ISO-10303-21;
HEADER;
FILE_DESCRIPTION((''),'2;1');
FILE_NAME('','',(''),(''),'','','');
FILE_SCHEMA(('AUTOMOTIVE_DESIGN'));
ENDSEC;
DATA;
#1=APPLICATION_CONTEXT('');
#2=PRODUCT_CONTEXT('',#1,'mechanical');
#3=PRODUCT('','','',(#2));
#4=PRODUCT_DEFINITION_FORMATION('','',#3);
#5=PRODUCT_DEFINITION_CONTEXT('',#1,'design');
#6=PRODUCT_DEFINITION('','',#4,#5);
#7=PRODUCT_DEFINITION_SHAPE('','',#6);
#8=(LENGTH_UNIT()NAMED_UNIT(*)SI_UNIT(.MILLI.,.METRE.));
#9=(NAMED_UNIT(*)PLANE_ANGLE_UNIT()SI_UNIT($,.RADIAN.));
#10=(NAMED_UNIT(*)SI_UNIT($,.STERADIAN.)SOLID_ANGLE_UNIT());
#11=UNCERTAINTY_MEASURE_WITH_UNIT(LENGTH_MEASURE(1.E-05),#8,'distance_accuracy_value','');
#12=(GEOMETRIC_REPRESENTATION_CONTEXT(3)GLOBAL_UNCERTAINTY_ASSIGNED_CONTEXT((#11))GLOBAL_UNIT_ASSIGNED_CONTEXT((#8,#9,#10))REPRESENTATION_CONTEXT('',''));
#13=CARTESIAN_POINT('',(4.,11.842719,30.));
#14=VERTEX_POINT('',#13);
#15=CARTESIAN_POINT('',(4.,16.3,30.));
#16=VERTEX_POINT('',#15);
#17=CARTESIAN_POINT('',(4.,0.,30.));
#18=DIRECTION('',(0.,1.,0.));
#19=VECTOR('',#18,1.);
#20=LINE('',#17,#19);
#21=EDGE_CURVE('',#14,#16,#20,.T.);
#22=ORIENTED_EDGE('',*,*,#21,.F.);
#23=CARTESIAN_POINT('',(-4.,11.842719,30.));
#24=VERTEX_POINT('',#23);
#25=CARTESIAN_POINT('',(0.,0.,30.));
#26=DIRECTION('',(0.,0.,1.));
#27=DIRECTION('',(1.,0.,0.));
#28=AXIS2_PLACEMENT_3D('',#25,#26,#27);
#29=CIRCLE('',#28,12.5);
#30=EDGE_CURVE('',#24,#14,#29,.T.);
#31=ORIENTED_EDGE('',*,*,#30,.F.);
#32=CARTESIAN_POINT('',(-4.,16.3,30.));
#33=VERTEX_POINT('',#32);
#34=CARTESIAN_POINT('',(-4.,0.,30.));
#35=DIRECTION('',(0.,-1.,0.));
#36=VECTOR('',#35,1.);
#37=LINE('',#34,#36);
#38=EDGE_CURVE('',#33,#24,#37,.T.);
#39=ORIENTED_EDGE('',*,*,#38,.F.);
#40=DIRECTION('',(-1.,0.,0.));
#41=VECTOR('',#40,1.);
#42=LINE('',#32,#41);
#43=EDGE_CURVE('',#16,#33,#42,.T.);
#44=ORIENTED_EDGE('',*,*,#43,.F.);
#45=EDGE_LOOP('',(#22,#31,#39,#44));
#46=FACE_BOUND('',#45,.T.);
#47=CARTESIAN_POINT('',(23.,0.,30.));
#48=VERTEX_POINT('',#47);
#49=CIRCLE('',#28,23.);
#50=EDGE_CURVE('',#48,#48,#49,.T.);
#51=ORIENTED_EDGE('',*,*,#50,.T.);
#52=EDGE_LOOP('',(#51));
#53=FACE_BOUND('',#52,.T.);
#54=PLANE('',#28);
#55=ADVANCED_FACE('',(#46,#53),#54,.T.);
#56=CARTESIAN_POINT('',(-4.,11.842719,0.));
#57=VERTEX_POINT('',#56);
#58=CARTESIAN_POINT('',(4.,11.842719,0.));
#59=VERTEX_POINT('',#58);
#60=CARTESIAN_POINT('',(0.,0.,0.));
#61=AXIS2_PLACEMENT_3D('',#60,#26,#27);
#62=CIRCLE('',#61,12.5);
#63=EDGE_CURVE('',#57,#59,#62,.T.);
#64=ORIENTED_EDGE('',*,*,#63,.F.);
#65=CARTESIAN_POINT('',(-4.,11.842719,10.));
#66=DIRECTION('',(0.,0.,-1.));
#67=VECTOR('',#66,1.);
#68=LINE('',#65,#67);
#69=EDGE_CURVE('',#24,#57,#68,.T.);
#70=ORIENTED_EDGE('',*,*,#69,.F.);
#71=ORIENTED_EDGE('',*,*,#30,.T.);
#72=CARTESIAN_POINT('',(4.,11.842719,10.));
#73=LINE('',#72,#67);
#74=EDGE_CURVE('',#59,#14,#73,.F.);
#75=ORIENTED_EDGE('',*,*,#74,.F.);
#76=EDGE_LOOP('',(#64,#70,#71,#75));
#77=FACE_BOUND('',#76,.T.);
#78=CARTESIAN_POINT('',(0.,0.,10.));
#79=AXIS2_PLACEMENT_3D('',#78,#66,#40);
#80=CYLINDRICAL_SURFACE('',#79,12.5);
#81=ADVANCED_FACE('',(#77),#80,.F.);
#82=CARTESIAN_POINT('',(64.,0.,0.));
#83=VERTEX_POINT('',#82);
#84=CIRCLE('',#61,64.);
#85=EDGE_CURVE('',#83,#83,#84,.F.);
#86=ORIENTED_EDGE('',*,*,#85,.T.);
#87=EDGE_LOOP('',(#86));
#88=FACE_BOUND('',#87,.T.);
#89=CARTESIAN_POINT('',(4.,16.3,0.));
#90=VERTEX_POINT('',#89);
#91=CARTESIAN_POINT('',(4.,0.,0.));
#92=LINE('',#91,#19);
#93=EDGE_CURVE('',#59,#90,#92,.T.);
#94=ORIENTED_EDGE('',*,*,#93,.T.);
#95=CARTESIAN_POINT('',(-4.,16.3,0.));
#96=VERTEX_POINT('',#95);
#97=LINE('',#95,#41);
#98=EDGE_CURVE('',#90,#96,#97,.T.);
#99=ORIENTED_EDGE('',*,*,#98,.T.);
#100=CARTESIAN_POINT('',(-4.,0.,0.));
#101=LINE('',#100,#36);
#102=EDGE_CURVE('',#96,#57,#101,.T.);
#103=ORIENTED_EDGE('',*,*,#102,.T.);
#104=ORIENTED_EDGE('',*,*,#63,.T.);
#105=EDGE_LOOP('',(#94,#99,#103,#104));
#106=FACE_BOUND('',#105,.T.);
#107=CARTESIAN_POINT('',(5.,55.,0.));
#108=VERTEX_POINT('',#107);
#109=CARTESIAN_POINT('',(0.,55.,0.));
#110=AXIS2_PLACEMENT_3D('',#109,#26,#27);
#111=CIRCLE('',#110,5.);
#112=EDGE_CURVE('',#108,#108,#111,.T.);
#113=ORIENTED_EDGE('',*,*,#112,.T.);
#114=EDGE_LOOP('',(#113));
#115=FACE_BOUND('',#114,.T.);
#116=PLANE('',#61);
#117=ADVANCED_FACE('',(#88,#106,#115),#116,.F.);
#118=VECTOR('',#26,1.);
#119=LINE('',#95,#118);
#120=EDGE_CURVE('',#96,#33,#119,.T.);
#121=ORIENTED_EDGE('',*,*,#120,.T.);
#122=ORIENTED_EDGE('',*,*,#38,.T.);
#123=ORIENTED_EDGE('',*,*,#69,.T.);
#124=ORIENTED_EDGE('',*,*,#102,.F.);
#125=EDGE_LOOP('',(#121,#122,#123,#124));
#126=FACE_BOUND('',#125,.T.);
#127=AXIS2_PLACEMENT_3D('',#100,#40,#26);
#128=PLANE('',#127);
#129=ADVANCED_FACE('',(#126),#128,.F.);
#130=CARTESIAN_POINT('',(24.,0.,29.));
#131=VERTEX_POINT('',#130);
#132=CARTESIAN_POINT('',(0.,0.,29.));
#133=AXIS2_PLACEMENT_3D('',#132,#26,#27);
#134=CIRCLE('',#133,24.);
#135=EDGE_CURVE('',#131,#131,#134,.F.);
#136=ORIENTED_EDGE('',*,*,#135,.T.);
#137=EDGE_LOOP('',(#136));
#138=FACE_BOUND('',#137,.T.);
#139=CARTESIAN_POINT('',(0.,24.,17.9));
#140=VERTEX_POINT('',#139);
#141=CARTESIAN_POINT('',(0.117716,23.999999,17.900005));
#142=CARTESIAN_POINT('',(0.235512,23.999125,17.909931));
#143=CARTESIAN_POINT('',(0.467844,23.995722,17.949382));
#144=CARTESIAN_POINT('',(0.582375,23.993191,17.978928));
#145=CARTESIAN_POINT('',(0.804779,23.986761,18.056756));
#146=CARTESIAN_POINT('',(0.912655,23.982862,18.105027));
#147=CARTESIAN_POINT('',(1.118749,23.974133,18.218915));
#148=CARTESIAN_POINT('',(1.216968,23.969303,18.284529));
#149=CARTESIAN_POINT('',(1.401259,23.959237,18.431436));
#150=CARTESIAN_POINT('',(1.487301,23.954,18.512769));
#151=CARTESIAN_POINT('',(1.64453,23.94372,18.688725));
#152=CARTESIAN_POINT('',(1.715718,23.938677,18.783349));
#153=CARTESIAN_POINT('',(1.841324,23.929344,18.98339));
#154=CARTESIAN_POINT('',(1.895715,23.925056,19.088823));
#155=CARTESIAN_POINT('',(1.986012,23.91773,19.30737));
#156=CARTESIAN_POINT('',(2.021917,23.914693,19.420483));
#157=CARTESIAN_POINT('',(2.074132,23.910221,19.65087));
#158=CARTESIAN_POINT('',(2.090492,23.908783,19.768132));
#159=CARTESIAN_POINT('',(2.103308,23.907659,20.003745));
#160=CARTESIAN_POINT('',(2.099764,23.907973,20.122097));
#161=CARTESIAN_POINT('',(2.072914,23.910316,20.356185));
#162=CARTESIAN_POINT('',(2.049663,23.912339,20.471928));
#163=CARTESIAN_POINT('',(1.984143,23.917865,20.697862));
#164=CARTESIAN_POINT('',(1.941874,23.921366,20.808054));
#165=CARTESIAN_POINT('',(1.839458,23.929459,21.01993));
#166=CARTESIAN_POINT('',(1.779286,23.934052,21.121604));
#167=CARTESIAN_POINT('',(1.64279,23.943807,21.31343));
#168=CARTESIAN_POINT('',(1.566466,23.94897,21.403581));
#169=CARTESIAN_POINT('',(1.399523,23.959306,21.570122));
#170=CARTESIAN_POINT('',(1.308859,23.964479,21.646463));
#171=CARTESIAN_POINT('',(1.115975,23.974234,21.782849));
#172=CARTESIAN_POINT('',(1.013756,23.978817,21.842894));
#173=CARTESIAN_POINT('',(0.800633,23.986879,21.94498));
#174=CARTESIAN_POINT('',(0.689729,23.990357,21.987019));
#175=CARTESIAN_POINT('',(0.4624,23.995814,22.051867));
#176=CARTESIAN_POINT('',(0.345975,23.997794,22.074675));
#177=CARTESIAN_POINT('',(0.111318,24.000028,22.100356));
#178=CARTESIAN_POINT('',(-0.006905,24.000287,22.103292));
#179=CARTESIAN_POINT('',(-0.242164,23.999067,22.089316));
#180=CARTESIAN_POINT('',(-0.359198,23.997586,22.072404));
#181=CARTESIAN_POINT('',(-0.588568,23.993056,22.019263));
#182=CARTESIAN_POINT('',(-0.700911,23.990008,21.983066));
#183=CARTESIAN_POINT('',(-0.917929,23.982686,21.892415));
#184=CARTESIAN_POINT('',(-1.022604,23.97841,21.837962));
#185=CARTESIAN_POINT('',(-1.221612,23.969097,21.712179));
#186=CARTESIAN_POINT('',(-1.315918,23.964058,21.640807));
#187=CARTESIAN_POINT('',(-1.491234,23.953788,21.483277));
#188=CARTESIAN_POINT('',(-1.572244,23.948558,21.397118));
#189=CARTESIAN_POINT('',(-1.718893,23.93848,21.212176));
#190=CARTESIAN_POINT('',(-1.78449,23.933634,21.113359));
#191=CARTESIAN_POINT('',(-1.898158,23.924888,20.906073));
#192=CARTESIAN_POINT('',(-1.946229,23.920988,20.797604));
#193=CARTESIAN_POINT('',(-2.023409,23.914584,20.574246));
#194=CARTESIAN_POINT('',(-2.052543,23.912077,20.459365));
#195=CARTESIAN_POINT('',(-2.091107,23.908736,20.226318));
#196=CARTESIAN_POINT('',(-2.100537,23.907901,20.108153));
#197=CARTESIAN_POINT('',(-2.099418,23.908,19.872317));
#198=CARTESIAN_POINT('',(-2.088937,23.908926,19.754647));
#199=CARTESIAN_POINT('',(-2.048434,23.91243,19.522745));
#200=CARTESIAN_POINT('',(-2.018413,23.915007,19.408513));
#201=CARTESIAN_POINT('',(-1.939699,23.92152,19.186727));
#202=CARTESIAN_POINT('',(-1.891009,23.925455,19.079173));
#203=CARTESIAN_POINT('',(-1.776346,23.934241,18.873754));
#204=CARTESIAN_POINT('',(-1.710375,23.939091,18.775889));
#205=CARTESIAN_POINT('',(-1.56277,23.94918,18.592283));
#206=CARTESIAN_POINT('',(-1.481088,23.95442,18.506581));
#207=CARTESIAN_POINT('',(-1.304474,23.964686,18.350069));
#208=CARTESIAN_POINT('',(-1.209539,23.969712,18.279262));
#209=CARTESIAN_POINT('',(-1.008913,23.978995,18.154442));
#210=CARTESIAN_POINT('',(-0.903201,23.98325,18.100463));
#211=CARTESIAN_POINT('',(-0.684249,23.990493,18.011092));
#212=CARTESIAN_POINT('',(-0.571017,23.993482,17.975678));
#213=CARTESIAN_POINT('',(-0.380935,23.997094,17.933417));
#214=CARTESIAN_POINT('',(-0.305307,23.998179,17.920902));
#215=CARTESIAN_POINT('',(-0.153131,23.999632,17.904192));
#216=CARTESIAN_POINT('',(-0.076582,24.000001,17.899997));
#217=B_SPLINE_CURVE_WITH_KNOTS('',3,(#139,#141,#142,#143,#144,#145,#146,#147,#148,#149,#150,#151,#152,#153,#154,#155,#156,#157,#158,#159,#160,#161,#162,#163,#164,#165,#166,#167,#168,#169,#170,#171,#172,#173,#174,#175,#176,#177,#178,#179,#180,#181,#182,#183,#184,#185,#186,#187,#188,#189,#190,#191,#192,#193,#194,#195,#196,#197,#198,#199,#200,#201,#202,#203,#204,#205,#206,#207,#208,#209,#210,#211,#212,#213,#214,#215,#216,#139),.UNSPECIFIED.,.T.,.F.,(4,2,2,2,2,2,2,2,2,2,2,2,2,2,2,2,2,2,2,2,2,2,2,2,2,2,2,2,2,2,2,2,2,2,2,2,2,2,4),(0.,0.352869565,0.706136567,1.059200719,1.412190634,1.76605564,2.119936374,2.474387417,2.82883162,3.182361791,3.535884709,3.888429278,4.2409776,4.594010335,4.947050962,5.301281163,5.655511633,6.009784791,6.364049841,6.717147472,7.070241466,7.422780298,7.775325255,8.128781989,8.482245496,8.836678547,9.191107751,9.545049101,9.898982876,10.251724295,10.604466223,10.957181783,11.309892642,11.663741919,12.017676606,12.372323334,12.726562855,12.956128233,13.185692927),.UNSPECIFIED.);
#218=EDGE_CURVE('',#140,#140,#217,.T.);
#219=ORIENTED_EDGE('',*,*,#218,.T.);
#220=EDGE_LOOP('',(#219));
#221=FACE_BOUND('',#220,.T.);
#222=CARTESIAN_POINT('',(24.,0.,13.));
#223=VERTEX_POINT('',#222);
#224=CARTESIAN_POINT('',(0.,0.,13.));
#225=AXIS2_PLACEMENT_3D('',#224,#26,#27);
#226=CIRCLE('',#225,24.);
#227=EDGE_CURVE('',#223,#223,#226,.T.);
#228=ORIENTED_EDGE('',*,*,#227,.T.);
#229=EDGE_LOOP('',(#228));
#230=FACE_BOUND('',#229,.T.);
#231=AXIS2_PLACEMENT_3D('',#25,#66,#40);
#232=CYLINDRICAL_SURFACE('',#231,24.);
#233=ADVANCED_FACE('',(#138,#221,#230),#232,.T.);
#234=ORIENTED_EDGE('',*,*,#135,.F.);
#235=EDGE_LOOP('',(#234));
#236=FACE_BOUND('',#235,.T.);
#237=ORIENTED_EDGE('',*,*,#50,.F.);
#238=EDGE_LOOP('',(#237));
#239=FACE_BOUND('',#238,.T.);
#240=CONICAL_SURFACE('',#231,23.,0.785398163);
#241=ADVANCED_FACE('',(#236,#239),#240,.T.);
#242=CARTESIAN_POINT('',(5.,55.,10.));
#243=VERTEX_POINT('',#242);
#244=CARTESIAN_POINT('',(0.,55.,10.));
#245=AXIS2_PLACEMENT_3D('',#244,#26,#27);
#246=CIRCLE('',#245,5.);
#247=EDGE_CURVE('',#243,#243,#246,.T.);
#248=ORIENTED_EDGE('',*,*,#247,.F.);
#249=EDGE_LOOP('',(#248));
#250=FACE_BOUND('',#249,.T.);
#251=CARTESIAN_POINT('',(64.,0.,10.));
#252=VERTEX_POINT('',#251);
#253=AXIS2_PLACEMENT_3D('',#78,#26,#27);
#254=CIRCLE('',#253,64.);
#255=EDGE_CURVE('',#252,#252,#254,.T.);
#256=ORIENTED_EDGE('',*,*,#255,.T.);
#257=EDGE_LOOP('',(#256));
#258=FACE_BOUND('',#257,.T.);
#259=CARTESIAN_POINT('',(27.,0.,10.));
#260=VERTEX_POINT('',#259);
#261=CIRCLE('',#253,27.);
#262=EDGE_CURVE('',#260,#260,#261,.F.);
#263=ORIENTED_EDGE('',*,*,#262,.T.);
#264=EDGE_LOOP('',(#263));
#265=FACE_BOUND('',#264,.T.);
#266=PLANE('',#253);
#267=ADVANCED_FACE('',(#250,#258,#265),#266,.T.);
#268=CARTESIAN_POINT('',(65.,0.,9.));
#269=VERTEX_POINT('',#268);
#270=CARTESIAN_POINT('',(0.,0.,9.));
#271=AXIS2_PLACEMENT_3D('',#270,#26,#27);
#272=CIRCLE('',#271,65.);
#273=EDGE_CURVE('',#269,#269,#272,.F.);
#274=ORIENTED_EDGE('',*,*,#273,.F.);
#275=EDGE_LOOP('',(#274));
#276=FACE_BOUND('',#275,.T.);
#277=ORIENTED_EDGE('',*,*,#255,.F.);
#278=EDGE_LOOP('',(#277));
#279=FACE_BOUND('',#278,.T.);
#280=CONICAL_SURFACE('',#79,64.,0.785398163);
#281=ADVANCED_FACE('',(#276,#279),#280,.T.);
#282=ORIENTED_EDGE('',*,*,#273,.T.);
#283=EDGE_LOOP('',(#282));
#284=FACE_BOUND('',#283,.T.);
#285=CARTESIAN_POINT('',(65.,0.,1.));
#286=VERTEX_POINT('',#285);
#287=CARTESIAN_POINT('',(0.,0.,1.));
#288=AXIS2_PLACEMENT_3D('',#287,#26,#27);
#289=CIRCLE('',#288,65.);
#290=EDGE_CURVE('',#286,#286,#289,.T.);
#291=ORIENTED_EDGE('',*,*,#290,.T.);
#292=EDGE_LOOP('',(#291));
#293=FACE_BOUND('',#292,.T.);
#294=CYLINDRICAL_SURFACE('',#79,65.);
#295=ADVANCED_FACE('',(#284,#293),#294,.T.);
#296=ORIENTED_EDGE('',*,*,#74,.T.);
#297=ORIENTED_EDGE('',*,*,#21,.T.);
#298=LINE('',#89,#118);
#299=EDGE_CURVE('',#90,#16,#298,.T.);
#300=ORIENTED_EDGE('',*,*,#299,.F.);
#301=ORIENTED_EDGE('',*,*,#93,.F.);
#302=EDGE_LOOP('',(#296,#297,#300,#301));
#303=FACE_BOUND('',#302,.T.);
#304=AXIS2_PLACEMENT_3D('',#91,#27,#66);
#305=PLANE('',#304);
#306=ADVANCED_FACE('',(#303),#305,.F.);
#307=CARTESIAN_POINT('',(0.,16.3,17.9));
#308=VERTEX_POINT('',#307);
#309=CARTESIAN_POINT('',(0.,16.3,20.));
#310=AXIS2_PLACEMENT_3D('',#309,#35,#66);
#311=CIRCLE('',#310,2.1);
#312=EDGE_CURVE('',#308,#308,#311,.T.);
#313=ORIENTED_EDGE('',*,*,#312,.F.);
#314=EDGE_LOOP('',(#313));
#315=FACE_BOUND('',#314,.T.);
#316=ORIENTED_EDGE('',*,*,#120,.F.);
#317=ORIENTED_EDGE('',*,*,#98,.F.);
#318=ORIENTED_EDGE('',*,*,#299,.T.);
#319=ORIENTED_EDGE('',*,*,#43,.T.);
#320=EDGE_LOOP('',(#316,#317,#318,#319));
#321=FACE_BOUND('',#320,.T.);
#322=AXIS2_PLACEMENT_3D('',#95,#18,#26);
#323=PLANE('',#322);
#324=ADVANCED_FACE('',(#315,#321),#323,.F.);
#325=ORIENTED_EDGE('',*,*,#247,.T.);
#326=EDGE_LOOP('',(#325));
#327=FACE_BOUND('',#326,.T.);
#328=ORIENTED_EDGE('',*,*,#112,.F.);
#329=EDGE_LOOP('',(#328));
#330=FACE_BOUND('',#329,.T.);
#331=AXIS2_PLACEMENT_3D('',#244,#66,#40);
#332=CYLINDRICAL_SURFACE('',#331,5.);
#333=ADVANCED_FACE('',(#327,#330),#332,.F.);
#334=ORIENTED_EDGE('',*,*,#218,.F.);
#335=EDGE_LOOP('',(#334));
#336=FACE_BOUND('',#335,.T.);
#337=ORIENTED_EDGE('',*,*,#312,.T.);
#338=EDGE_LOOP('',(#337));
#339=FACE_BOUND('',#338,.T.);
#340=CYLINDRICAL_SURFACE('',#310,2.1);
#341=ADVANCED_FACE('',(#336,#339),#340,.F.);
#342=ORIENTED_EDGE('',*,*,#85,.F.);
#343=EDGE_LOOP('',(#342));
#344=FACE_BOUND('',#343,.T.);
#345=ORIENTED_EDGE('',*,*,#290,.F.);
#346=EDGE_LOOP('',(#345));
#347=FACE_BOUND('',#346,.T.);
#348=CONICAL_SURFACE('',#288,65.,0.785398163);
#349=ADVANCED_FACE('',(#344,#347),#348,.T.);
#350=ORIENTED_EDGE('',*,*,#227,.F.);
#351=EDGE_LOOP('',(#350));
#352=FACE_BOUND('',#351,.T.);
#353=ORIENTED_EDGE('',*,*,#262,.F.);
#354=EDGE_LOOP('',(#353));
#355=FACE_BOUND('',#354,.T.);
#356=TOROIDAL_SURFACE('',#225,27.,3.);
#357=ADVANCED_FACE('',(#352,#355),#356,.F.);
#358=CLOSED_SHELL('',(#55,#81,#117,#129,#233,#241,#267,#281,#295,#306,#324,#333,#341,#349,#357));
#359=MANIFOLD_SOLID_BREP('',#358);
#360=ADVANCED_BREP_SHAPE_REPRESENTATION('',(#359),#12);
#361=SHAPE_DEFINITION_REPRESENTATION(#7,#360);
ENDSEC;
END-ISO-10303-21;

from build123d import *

# Parameters (mm, degrees)
SKETCH1_R             = 65
SKETCH1_R_2           = 5
SKETCH1_R_3           = 12.5
BOSS_EXTRUDE1_DEPTH   = 10
SKETCH2_R             = 24
SKETCH2_R_2           = 12.5
BOSS_EXTRUDE2_DEPTH   = 20
CHAMFER1_SIZE         = 1
FILLET1_R             = 3
CHAMFER2_SIZE         = 1
SKETCH4_W             = 8
SKETCH4_H             = 16.3
CUT_EXTRUDE2_DEPTH    = 97.695398029
M5_TAPPED_HOLE1_D     = 4.2
M5_TAPPED_HOLE1_DEPTH = 12.4
M5_TAPPED_HOLE1_TIP   = 1.2618073


with BuildPart() as part:
    # Sketch1 → Boss-Extrude1 (new body)
    with BuildSketch(Plane.XY):
        Circle(SKETCH1_R)
        with Locations((0, 55)):
            Circle(SKETCH1_R_2, mode=Mode.SUBTRACT)
        Circle(SKETCH1_R_3, mode=Mode.SUBTRACT)
    extrude(amount=BOSS_EXTRUDE1_DEPTH)

    # Sketch2 → Boss-Extrude2 (add)
    with BuildSketch(Plane.XY.offset(10)):
        Circle(SKETCH2_R)
        Circle(SKETCH2_R_2, mode=Mode.SUBTRACT)
    extrude(amount=BOSS_EXTRUDE2_DEPTH)

    # Chamfer1
    chamfer1_edges = [part.edges().sort_by_distance(p)[0] for p in [
        (-65, 0, 0),
        (-65, 0, 10),
    ]]
    chamfer(chamfer1_edges, length=CHAMFER1_SIZE)

    # Fillet1
    fillet1_edges = [part.edges().sort_by_distance(p)[0] for p in [
        (-24, 0, 10),
    ]]
    fillet(fillet1_edges, radius=FILLET1_R)

    # Chamfer2
    chamfer2_edges = [part.edges().sort_by_distance(p)[0] for p in [
        (-24, 0, 30),
    ]]
    chamfer(chamfer2_edges, length=CHAMFER2_SIZE)

    # Sketch4 → Cut-Extrude2 (cut, through all)
    with BuildSketch(Plane.XY.offset(30)):
        with Locations((0, 8.15)):
            Rectangle(SKETCH4_W, SKETCH4_H)
    extrude(amount=-CUT_EXTRUDE2_DEPTH, mode=Mode.SUBTRACT)

    # M5 Tapped Hole1
    with Locations(Plane(origin=(0, 16.3, 0), x_dir=(-1, 0, 0), z_dir=(0, -1, 0))):
        with Locations((0, -20)):
            Hole(M5_TAPPED_HOLE1_D / 2, depth=M5_TAPPED_HOLE1_DEPTH)
            with Locations((0, 0, -(M5_TAPPED_HOLE1_DEPTH + M5_TAPPED_HOLE1_TIP / 2))):  # 118° drill point
                Cone(0, M5_TAPPED_HOLE1_D / 2, M5_TAPPED_HOLE1_TIP, mode=Mode.SUBTRACT)


solid = part.part
